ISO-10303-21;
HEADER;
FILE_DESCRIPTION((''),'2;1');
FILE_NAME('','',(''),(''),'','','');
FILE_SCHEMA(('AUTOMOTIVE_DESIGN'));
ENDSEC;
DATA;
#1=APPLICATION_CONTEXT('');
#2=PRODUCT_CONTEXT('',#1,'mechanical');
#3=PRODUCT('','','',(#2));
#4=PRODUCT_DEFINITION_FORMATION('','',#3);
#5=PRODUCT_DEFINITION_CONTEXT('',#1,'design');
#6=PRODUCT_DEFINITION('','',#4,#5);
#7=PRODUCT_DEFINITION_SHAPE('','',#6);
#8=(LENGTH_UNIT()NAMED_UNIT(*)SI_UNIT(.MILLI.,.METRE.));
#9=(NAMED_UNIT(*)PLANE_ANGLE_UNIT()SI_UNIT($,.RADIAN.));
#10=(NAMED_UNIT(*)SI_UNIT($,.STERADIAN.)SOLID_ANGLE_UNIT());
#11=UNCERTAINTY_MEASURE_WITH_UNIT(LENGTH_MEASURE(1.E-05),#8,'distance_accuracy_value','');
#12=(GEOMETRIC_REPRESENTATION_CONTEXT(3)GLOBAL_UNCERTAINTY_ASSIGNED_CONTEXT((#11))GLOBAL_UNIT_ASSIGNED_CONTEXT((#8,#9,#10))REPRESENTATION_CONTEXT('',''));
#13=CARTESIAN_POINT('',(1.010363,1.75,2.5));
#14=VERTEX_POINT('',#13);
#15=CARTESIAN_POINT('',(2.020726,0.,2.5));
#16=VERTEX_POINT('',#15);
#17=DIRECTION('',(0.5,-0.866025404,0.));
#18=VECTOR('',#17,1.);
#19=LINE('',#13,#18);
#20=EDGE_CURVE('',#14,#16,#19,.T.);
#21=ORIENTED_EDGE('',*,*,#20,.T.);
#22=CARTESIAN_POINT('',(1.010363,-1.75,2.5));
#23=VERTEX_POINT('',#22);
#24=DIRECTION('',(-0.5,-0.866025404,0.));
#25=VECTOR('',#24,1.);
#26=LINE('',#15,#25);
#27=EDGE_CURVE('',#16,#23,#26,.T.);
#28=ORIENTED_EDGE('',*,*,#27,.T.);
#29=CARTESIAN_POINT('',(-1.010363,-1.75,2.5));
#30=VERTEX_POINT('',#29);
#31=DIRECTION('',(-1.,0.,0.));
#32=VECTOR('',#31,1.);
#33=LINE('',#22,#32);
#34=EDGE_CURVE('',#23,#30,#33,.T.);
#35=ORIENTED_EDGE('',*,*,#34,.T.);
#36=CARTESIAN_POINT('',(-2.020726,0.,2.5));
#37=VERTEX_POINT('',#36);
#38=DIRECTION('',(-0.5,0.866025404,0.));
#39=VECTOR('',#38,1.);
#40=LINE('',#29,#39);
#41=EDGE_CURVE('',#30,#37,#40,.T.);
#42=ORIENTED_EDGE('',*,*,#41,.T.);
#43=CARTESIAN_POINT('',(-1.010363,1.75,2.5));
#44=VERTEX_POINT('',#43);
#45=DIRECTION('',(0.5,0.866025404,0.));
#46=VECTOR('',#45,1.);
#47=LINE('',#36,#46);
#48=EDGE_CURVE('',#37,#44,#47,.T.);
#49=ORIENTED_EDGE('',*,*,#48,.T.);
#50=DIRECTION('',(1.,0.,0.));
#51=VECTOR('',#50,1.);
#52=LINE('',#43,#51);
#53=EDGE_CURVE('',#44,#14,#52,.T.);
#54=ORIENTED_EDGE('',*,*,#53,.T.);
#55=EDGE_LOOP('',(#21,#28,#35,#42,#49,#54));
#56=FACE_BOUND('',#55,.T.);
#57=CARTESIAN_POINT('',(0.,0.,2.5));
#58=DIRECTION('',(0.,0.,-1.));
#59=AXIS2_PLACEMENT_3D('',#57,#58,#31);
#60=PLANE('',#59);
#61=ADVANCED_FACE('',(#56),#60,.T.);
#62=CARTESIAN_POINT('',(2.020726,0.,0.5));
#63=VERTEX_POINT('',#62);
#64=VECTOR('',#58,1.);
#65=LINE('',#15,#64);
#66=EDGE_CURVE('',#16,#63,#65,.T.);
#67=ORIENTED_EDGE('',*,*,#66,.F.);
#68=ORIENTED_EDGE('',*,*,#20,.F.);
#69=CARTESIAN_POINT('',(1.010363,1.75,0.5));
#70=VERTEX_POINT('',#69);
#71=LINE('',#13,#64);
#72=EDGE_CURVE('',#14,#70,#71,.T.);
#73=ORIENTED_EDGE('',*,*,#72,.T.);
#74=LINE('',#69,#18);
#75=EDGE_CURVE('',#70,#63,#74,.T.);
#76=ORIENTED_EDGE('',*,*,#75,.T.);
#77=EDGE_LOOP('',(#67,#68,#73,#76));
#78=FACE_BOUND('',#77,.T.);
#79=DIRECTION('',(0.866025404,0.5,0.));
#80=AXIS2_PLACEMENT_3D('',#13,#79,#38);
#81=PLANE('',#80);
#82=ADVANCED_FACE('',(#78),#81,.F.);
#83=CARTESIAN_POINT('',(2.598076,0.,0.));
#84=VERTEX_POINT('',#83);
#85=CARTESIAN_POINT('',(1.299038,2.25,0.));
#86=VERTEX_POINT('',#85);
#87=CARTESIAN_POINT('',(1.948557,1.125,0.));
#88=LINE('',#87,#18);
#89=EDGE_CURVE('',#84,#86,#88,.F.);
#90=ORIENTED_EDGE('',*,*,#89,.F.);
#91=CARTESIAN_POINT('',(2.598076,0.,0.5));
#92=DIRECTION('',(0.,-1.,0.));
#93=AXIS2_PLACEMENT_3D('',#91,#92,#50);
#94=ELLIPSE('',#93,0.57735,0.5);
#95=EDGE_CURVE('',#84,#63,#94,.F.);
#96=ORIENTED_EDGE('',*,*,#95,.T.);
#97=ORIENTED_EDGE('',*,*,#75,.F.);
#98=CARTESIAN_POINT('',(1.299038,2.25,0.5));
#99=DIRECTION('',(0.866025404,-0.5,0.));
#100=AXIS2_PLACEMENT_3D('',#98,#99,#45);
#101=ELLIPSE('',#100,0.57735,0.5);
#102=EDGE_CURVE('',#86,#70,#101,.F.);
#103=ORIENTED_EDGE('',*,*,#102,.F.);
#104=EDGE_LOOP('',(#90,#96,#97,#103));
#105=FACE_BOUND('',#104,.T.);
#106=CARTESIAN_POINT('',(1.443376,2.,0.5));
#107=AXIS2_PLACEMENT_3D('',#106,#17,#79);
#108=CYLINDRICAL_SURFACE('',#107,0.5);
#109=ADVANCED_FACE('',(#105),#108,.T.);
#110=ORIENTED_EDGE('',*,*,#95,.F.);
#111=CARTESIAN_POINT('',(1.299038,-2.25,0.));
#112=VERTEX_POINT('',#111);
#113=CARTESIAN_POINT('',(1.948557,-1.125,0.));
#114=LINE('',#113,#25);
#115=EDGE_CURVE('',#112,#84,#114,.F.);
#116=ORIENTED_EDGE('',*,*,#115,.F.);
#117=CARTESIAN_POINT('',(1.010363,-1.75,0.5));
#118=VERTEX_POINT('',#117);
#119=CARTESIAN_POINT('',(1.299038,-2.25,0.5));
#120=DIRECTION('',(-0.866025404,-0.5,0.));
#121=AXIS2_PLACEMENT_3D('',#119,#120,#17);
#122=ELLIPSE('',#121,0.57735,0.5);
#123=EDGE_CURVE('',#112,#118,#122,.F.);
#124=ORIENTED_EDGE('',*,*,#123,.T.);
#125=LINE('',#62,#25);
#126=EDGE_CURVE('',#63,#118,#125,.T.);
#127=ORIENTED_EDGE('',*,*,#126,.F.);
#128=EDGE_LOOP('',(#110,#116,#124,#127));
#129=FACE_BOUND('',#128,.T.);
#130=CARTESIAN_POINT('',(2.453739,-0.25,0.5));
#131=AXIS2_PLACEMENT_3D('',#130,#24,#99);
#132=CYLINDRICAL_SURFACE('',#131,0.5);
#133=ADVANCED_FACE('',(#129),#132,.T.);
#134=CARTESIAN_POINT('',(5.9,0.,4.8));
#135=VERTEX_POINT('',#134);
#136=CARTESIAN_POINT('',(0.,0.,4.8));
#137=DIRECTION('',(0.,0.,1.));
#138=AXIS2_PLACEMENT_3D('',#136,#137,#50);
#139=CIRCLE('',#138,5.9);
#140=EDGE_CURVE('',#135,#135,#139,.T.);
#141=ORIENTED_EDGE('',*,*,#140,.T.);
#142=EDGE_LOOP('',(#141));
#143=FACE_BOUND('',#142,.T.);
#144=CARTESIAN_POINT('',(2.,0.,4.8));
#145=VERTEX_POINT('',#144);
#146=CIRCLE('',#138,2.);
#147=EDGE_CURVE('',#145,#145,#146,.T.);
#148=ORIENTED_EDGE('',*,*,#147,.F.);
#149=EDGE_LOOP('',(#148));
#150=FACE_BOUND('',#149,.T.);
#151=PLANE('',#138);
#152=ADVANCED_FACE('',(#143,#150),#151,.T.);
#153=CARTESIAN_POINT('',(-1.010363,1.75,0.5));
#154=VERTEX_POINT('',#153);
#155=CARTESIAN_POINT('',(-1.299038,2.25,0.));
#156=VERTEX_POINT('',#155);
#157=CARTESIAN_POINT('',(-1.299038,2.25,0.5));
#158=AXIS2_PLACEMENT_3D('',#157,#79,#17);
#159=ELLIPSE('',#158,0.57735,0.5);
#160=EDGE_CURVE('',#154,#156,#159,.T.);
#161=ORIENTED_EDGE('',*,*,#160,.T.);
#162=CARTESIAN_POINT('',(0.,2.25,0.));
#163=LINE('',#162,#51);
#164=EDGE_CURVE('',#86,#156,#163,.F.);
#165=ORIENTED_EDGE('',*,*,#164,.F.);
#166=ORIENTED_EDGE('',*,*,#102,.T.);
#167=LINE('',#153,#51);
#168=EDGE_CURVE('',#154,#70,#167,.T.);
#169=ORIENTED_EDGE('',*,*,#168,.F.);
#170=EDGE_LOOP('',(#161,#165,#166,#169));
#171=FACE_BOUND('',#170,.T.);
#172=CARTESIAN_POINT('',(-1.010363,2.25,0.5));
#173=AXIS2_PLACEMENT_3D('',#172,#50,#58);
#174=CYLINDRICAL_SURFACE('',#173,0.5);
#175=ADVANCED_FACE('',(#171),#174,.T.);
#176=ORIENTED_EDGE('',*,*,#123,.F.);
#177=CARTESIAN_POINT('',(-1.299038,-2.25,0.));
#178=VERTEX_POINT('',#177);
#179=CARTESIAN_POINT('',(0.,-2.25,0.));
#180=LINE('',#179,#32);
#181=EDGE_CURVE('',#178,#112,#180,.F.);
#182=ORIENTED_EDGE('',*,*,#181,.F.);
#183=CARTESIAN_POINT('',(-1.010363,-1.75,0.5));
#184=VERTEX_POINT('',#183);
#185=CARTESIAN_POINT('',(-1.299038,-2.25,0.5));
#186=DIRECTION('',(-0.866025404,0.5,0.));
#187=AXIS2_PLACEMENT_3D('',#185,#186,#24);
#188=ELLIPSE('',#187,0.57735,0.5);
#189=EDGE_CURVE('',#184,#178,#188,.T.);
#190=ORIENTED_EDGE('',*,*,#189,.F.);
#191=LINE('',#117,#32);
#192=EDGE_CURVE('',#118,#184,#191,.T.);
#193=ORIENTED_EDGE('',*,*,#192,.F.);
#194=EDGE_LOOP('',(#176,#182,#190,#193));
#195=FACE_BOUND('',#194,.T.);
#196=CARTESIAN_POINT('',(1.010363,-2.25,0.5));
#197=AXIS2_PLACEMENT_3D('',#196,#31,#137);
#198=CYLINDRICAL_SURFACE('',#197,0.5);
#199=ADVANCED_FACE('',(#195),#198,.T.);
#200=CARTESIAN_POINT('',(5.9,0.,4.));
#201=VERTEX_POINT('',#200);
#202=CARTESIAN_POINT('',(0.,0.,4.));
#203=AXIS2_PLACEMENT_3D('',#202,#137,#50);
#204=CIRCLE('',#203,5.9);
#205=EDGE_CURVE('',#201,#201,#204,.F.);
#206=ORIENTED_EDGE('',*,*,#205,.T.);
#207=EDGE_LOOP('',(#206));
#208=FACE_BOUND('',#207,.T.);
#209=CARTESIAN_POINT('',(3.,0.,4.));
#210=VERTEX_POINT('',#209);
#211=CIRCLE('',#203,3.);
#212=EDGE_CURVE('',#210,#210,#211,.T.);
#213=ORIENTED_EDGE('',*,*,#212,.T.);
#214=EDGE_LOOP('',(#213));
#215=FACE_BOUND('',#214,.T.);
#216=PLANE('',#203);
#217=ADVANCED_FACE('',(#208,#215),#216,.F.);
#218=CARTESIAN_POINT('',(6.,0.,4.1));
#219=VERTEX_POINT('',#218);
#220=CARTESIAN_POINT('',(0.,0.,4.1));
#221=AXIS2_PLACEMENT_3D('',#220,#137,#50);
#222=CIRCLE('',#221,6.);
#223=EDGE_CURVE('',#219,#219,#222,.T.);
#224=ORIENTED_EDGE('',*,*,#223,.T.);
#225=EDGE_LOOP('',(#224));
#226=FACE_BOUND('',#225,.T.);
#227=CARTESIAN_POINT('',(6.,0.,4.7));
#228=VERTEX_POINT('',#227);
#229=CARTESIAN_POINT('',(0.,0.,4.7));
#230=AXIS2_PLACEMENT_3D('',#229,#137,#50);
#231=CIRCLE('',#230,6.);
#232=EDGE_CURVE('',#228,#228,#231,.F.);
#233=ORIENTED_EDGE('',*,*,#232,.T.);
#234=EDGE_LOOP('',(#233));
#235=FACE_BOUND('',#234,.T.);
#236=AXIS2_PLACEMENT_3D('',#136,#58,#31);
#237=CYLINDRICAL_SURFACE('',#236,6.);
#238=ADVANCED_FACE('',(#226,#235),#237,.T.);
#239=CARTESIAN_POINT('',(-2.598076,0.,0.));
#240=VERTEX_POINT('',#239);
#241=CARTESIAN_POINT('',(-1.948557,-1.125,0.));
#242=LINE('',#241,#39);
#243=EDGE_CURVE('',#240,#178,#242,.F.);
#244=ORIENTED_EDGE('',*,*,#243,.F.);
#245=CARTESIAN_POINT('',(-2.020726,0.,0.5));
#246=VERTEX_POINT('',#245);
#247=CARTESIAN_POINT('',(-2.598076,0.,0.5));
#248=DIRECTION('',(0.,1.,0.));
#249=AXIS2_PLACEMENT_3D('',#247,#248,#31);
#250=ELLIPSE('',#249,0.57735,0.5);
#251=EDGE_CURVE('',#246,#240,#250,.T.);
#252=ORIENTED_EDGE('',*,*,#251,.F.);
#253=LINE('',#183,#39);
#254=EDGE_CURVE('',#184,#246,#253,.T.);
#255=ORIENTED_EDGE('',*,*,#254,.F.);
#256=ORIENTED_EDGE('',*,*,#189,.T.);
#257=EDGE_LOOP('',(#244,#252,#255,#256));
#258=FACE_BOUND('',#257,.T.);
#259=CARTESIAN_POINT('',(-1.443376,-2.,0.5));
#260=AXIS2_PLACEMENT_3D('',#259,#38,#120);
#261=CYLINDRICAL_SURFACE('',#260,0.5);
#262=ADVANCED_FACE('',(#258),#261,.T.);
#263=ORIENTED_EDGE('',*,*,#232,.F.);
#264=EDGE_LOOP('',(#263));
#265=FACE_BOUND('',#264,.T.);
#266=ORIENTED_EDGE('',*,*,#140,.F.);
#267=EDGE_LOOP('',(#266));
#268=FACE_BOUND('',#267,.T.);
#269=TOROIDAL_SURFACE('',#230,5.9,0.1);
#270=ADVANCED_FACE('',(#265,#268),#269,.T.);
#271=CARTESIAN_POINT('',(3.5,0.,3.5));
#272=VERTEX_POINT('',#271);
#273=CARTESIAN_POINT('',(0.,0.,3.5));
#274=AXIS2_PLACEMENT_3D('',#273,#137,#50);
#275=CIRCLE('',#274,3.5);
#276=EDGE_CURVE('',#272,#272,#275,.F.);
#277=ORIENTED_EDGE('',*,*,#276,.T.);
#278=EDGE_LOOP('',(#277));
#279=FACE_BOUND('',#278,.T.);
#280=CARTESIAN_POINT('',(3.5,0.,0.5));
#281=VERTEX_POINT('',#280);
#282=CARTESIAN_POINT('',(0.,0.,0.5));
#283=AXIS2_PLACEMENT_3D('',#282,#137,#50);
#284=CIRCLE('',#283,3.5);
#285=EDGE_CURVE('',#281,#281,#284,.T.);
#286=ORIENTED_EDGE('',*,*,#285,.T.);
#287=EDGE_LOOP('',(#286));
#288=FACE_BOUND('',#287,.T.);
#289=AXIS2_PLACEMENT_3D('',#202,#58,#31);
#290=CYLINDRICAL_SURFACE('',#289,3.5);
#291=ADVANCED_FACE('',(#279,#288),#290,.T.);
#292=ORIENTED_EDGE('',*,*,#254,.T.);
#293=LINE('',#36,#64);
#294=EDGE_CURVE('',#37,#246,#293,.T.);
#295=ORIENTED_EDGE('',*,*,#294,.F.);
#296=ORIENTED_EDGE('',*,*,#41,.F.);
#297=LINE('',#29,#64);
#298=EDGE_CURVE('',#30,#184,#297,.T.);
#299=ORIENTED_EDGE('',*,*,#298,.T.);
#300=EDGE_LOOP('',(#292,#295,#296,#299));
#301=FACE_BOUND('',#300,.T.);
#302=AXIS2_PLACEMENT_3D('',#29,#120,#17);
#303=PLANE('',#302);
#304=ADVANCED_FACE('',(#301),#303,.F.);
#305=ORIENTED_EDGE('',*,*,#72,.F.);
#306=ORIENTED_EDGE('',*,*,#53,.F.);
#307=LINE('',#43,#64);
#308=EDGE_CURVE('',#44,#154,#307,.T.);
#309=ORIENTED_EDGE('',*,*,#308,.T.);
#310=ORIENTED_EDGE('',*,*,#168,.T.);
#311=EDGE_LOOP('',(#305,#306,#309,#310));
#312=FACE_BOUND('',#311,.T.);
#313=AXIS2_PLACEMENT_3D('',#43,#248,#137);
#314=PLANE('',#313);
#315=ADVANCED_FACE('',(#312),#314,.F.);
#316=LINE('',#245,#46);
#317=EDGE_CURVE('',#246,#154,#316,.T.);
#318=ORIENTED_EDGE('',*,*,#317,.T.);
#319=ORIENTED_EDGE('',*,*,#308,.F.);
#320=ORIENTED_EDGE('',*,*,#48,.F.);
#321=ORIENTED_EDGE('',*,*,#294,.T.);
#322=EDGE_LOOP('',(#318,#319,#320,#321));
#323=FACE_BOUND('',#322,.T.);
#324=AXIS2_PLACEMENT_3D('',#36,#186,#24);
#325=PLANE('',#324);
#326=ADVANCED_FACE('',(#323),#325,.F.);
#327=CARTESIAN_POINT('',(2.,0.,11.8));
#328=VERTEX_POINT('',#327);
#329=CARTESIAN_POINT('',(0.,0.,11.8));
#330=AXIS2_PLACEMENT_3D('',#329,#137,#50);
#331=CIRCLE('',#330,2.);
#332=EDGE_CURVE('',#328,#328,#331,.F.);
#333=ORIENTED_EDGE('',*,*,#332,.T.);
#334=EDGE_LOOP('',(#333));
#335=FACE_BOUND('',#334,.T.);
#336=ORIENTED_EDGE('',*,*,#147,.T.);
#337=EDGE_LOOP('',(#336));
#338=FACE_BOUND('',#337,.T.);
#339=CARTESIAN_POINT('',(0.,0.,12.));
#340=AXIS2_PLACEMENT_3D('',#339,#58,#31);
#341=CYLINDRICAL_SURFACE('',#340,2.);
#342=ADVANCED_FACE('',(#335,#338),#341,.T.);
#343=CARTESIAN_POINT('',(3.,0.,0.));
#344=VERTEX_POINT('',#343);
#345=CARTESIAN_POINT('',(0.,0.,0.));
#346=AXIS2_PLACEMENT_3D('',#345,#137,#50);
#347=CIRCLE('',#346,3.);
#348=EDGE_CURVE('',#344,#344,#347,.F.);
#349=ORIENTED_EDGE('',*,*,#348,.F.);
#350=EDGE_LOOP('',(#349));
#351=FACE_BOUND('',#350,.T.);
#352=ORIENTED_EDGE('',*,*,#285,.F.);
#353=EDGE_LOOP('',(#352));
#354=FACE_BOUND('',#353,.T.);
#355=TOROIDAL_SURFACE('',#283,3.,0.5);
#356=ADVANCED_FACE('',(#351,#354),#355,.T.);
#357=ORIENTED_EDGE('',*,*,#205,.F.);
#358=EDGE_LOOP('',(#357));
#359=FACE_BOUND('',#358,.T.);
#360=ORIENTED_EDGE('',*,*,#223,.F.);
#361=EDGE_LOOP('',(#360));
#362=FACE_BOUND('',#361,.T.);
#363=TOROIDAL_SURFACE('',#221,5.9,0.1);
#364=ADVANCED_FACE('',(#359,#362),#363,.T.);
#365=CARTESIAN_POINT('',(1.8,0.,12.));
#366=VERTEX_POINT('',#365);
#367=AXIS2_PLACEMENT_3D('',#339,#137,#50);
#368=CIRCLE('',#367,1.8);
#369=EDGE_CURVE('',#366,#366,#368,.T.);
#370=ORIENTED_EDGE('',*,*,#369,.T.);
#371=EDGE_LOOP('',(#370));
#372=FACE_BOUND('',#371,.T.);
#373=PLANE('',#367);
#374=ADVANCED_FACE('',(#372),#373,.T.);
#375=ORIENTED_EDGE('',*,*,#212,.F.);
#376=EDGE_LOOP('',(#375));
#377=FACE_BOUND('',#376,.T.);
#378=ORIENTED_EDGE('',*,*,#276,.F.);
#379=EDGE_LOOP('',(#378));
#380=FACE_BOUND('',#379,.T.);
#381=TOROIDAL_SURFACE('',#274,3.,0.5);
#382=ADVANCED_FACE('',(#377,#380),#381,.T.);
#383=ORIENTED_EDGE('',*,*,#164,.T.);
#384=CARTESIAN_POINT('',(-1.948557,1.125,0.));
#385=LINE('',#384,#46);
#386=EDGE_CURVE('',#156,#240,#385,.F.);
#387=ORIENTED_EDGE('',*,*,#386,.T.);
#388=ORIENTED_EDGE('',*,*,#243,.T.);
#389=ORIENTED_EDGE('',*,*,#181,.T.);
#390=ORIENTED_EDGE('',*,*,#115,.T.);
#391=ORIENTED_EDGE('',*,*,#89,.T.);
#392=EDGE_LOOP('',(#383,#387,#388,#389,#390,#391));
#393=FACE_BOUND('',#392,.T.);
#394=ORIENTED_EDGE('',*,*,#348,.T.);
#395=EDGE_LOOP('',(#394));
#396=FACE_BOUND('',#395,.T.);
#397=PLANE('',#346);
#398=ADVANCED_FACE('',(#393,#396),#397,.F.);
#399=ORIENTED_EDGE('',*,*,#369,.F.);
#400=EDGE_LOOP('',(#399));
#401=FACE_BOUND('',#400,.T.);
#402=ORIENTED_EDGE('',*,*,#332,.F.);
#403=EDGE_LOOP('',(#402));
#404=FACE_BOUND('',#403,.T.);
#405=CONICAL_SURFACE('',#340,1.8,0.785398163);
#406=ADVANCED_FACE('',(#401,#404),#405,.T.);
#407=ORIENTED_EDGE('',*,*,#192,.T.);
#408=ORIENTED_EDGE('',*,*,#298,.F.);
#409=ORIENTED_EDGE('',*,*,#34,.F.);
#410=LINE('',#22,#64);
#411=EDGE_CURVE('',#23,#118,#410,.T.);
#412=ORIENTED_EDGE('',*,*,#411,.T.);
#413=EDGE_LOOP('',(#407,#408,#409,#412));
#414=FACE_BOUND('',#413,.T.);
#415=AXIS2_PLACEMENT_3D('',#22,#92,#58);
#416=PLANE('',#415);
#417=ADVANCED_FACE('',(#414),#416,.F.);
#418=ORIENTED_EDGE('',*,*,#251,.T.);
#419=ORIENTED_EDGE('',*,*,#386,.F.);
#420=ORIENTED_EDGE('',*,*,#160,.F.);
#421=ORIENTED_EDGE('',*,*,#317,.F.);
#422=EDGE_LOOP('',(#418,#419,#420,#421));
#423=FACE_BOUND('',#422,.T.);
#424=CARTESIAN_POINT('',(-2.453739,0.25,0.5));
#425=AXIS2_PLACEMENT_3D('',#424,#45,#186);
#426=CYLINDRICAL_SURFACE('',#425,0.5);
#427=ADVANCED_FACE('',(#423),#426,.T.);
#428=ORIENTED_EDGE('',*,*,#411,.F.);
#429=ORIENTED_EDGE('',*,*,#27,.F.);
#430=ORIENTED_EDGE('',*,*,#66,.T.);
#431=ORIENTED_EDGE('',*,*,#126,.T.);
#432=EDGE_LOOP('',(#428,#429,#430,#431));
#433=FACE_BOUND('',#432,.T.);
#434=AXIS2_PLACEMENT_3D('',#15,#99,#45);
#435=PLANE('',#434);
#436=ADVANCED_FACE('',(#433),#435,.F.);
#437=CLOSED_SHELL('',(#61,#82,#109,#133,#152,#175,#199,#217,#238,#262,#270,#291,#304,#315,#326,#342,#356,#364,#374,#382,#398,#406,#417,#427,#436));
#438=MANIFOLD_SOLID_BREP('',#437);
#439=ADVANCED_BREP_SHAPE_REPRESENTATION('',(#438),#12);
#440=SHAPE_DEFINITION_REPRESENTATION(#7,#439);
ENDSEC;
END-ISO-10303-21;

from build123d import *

# Parameters (mm, degrees)
SKETCH1_R           = 3.5
BOSS_EXTRUDE1_DEPTH = 4
SKETCH2_R           = 2
BOSS_EXTRUDE2_DEPTH = 8
CUT_EXTRUDE1_DEPTH  = 2.5
FILLET1_R           = 0.5
CHAMFER1_SIZE       = 0.2
SKETCH4_R           = 6
BOSS_EXTRUDE3_DEPTH = 0.8
FILLET2_R           = 0.1


with BuildPart() as part:
    # Sketch1 → Boss-Extrude1 (new body)
    with BuildSketch(Plane.XY):
        Circle(SKETCH1_R)
    extrude(amount=BOSS_EXTRUDE1_DEPTH)

    # Sketch2 → Boss-Extrude2 (add)
    with BuildSketch(Plane.XY.offset(4)):
        Circle(SKETCH2_R)
    extrude(amount=BOSS_EXTRUDE2_DEPTH)

    # Sketch3 → Cut-Extrude1 (cut)
    with BuildSketch(Plane(origin=(0, 0, 0), x_dir=(-1, 0, 0), z_dir=(0, 0, -1))):
        Polygon((2.020725942, 0), (1.010362971, 1.75), (-1.010362971, 1.75), (-2.020725942, 0), (-1.010362971, -1.75), (1.010362971, -1.75), align=None)
    extrude(amount=-CUT_EXTRUDE1_DEPTH, mode=Mode.SUBTRACT)

    # Fillet1
    fillet1_edges = [part.edges().sort_by_distance(p)[0] for p in [
        (-1.515544457, -0.875, 0),
        (-1.515544457, 0.875, 0),
        (0, 1.75, 0),
        (1.515544457, 0.875, 0),
        (1.515544457, -0.875, 0),
        (0, -1.75, 0),
        (-3.5, 0, 0),
        (-3.5, 0, 4),
        (-2, 0, 4),
    ]]
    fillet(fillet1_edges, radius=FILLET1_R)

    # Chamfer1
    chamfer1_edges = [part.edges().sort_by_distance(p)[0] for p in [
        (-2, 0, 12),
    ]]
    chamfer(chamfer1_edges, length=CHAMFER1_SIZE)

    # Sketch4 → Boss-Extrude3 (add)
    with BuildSketch(Plane.XY.offset(4)):
        Circle(SKETCH4_R)
    extrude(amount=BOSS_EXTRUDE3_DEPTH)

    # Fillet2
    fillet2_edges = [part.edges().sort_by_distance(p)[0] for p in [
        (-6, 0, 4),
        (-6, 0, 4.8),
    ]]
    fillet(fillet2_edges, radius=FILLET2_R)


solid = part.part
